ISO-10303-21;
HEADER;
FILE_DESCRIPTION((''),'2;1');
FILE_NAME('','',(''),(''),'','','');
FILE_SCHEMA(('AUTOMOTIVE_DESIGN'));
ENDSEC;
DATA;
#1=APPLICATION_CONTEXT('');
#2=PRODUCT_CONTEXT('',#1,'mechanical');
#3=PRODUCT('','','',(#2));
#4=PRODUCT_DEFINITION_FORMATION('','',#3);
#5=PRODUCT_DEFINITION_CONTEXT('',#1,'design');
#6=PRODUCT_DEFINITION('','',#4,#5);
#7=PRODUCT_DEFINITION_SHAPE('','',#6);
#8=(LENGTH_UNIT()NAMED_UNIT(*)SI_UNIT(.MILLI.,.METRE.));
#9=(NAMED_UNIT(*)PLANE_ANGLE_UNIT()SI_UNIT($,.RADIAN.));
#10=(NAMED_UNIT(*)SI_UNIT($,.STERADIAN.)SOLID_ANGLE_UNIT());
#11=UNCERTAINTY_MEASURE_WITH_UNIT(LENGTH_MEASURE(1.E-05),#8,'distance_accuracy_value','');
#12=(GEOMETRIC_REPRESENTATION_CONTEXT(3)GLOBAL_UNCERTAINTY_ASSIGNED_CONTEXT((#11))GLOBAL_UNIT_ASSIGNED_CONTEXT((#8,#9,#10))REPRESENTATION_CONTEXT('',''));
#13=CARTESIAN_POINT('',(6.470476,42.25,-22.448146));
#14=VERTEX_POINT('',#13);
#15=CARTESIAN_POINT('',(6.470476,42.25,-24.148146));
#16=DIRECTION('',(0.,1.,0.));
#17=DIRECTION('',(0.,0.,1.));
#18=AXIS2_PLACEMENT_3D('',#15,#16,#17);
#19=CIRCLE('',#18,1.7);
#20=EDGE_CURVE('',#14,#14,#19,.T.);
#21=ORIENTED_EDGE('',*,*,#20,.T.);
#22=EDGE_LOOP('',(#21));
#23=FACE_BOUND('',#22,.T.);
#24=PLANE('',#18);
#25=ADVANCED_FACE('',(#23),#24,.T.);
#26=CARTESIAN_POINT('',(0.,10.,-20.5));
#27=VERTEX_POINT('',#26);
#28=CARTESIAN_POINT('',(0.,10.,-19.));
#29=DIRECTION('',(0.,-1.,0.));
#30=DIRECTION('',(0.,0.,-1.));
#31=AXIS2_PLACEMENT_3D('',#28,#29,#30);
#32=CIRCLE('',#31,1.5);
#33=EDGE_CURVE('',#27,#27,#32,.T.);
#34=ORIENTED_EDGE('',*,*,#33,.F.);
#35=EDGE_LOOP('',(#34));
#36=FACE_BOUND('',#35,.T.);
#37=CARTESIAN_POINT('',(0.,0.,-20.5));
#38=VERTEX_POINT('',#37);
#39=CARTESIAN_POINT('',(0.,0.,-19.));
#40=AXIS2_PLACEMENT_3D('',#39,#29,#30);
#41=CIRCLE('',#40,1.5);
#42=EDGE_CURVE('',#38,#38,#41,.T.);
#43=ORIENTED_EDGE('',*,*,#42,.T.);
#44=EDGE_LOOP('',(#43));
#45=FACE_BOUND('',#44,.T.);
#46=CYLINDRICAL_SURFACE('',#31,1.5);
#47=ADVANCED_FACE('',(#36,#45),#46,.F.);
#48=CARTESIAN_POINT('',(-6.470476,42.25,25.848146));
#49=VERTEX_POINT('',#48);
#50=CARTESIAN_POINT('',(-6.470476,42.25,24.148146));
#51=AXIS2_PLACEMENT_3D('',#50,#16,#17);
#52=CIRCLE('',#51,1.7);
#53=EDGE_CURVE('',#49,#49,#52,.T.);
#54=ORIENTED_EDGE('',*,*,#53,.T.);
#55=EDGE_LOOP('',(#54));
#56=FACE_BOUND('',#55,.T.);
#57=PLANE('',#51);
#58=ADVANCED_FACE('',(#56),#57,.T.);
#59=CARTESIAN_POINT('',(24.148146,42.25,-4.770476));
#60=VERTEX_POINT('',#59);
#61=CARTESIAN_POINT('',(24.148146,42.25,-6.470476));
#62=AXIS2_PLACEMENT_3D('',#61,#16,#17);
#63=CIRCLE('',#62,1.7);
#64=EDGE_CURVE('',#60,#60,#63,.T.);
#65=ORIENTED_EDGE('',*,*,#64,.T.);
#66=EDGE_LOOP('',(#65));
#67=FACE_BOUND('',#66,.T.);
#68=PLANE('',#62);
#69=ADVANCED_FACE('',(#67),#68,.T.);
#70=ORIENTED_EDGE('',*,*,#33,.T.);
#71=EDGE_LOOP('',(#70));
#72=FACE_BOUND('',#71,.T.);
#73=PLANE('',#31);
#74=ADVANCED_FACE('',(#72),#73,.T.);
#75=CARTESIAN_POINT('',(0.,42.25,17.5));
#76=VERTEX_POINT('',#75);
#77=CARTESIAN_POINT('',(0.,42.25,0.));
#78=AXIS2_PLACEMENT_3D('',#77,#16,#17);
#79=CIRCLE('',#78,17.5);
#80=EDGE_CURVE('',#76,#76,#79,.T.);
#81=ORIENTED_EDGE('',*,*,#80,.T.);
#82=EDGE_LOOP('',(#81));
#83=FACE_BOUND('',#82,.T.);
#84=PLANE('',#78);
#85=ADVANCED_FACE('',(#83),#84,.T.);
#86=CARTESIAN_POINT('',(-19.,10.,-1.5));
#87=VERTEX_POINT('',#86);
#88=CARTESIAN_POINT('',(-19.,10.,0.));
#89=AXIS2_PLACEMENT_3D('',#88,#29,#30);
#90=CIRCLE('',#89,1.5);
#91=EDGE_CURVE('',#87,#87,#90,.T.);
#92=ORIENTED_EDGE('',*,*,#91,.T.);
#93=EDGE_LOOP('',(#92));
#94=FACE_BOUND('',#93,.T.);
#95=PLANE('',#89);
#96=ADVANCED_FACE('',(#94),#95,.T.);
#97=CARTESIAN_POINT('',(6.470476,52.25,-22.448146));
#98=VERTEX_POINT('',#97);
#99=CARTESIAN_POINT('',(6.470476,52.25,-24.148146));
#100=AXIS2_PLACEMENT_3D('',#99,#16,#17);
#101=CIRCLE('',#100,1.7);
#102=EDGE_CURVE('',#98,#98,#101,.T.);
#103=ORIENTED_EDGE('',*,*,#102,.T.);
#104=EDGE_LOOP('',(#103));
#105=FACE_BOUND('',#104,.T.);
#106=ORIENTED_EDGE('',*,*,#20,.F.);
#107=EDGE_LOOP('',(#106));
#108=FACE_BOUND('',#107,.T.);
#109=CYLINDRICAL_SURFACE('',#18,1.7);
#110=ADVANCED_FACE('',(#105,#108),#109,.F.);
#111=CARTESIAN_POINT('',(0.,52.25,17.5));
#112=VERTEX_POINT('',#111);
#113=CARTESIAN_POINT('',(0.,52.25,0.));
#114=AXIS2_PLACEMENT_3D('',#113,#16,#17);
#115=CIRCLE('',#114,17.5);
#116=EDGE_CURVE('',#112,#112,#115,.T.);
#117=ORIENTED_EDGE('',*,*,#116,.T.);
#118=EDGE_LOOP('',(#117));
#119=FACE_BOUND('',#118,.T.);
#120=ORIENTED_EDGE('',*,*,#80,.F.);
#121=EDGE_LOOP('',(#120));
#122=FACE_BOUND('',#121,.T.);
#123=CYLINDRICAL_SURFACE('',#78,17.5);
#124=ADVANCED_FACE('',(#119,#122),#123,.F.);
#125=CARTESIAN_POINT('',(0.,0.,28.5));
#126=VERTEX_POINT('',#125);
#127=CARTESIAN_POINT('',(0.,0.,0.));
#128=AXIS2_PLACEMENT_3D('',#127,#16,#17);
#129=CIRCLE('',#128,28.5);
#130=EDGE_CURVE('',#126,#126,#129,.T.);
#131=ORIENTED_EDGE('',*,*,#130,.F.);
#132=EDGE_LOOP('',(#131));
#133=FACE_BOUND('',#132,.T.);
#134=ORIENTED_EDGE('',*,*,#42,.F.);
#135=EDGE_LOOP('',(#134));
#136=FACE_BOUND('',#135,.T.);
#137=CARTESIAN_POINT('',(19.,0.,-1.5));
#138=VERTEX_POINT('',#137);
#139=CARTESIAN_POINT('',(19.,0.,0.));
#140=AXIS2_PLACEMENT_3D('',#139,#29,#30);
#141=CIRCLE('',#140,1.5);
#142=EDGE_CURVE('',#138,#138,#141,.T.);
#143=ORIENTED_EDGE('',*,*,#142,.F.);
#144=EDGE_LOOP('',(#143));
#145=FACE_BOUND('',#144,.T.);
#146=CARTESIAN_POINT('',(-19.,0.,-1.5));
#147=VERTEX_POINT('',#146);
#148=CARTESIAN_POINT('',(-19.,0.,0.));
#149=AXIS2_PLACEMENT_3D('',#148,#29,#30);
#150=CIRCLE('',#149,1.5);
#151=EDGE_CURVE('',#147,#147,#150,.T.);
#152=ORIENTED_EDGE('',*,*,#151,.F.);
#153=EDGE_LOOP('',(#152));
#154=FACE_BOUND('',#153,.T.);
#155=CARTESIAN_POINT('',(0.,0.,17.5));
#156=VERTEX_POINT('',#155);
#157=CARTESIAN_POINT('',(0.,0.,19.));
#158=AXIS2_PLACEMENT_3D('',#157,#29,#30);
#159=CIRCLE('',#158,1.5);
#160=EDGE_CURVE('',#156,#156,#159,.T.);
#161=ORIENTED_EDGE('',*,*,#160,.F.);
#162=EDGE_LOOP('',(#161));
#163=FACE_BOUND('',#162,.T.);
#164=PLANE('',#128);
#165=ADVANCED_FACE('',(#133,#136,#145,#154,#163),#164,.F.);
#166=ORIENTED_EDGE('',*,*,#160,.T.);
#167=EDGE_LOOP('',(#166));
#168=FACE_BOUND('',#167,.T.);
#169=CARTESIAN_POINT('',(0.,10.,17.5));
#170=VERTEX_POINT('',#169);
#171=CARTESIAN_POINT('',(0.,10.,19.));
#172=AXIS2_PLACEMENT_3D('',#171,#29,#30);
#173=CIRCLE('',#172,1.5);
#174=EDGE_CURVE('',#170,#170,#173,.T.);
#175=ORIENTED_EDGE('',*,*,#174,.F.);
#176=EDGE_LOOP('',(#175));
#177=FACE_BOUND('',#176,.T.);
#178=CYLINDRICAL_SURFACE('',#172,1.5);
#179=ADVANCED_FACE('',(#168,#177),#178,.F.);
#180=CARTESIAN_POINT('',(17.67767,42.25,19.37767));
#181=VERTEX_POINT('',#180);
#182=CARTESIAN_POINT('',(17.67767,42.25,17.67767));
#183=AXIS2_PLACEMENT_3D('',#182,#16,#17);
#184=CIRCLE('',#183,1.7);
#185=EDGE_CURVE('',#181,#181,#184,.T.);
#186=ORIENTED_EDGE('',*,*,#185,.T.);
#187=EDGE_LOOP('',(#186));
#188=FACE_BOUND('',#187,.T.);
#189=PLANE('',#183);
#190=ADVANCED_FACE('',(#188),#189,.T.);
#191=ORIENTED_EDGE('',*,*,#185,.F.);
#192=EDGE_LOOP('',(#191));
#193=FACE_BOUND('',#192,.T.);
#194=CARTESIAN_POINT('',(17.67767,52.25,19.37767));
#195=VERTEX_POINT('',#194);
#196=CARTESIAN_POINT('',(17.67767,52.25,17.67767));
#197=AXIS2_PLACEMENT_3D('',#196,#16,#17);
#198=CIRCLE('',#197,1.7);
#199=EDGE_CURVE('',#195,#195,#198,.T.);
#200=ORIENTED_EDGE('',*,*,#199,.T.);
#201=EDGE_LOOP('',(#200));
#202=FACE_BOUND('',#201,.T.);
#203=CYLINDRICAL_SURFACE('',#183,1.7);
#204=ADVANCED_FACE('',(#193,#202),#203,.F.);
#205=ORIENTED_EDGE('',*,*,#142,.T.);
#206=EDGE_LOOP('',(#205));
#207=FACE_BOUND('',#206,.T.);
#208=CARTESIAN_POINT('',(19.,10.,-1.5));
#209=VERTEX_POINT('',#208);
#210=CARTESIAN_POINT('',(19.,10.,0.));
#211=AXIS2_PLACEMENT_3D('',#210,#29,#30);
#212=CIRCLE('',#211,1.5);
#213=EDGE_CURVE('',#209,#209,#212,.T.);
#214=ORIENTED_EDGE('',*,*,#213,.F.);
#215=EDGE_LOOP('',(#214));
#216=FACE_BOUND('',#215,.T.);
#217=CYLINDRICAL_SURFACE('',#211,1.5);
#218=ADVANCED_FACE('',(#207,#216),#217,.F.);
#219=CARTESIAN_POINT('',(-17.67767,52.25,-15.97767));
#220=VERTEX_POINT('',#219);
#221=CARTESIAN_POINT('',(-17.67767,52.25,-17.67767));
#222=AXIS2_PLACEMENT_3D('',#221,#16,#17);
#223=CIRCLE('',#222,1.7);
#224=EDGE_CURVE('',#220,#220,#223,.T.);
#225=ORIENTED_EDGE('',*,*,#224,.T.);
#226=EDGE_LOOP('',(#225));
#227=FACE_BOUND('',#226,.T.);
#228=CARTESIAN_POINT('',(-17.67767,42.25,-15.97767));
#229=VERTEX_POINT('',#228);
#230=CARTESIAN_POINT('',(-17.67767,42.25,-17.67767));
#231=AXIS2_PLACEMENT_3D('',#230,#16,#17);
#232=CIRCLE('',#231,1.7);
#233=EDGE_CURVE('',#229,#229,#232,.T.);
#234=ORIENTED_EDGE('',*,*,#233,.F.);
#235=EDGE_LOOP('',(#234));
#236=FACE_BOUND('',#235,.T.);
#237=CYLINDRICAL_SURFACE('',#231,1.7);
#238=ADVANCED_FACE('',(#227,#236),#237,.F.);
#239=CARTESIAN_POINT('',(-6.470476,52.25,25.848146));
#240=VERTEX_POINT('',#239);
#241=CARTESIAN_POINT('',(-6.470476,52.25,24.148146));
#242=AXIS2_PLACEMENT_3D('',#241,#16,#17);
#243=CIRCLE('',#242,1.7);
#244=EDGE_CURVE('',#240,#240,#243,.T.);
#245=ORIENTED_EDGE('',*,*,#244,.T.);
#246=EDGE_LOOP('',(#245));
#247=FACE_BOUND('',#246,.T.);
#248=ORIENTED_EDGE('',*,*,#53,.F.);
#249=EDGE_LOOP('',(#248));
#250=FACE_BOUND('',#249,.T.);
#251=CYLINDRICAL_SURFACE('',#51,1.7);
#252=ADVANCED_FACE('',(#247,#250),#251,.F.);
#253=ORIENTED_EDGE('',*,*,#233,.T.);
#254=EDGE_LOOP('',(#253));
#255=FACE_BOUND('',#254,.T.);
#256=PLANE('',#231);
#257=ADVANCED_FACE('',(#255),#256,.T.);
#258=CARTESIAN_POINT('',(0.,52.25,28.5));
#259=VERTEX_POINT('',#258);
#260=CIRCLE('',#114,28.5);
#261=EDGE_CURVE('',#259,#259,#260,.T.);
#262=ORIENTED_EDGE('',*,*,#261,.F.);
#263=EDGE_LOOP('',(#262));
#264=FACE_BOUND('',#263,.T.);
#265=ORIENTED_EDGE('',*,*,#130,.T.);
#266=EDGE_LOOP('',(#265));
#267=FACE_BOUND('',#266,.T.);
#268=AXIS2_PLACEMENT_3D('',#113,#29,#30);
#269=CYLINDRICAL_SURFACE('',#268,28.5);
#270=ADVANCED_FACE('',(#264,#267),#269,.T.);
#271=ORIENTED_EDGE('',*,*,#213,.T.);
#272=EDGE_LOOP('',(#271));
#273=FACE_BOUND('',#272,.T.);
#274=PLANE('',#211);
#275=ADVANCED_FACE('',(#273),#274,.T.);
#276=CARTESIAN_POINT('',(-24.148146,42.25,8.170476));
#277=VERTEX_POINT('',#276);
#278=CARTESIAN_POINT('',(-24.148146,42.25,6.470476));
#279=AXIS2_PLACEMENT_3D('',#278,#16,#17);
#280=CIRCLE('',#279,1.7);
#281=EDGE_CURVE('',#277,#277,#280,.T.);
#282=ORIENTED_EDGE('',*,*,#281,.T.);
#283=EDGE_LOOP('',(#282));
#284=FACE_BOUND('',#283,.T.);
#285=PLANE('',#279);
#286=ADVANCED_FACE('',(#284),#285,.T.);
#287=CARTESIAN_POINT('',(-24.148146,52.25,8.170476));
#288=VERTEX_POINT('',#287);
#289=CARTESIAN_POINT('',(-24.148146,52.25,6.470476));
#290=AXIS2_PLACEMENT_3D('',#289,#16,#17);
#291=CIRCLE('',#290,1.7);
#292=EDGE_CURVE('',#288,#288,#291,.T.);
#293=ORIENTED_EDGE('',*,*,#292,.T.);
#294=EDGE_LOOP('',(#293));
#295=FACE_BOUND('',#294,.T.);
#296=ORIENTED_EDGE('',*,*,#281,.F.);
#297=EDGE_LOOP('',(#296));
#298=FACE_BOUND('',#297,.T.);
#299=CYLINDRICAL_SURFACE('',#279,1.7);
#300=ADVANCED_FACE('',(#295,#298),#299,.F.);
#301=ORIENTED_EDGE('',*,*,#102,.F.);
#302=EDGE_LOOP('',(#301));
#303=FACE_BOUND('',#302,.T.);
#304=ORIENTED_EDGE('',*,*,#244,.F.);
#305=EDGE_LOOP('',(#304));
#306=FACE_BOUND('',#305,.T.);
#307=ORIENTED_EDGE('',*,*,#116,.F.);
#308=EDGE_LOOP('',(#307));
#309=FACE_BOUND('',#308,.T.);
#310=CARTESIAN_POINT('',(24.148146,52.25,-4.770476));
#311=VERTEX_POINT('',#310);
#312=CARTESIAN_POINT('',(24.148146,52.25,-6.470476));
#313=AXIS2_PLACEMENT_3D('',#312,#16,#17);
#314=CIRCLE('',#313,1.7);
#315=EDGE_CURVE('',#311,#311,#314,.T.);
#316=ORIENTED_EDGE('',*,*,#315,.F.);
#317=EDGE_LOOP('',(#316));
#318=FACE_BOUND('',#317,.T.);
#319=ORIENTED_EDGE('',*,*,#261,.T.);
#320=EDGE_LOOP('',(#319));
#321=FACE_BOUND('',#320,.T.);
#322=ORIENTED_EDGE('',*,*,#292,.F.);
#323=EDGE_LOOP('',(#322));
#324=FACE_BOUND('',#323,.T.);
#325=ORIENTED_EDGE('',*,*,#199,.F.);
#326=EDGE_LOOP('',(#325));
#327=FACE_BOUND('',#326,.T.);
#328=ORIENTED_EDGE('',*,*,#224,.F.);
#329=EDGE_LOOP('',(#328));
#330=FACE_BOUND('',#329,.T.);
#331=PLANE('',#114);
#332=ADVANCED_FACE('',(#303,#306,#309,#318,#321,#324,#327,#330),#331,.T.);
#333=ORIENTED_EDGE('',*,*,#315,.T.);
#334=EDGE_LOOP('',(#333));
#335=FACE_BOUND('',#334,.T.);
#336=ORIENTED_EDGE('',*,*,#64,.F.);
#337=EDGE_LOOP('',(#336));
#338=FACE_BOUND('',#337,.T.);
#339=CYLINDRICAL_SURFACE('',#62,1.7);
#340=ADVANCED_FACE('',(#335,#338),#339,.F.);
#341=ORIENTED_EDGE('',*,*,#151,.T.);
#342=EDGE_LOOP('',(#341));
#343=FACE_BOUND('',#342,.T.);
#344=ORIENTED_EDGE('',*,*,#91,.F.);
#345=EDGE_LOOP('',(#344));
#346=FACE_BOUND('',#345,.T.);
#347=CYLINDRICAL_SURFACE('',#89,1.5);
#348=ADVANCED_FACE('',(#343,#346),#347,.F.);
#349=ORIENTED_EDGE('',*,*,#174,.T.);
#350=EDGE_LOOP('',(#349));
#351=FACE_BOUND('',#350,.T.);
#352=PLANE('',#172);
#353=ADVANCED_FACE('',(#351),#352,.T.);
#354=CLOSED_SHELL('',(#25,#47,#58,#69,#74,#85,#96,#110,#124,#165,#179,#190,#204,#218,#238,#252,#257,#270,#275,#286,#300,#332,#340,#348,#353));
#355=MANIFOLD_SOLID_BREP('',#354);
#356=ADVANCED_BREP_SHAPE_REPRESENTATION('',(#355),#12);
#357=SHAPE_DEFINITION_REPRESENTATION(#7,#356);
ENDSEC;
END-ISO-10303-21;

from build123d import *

# Parameters (mm, degrees)
SKETCH_1_R          = 28.5
EXTRUDE_1_DEPTH     = 52.25
SKETCH_3_R          = 17.5
CUT_EXTRUDE_2_DEPTH = 10
SKETCH_4_R          = 1.7
CUT_EXTRUDE_3_DEPTH = 10
SKETCH_5_R          = 1.5
CUT_EXTRUDE_4_DEPTH = 10


with BuildPart() as part:
    # 草图1 → 凸台-拉伸1 (new body)
    with BuildSketch(Plane(origin=(0, 0, 0), x_dir=(1, 0, 0), z_dir=(0, 1, 0))):
        Circle(SKETCH_1_R)
    extrude(amount=EXTRUDE_1_DEPTH)

    # 草图3 → 切除-拉伸2 (cut)
    with BuildSketch(Plane(origin=(0, 52.25, 0), x_dir=(1, 0, 0), z_dir=(0, 1, 0))):
        Circle(SKETCH_3_R)
    extrude(amount=-CUT_EXTRUDE_2_DEPTH, mode=Mode.SUBTRACT)

    # 草图4 → 切除-拉伸3 (cut)
    with BuildSketch(Plane(origin=(0, 52.25, 0), x_dir=(1, 0, 0), z_dir=(0, 1, 0))):
        with Locations((17.67766953, -17.67766953)):
            Circle(SKETCH_4_R)
        with Locations((-6.470476128, -24.148145657)):
            Circle(SKETCH_4_R)
        with Locations((-24.148145657, -6.470476128)):
            Circle(SKETCH_4_R)
        with Locations((-17.67766953, 17.67766953)):
            Circle(SKETCH_4_R)
        with Locations((6.470476128, 24.148145657)):
            Circle(SKETCH_4_R)
        with Locations((24.148145657, 6.470476128)):
            Circle(SKETCH_4_R)
    extrude(amount=-CUT_EXTRUDE_3_DEPTH, mode=Mode.SUBTRACT)

    # 草图5 → 切除-拉伸4 (cut)
    with BuildSketch(Plane.XZ):
        with Locations((0, -19)):
            Circle(SKETCH_5_R)
        with Locations((-19, 0)):
            Circle(SKETCH_5_R)
        with Locations((0, 19)):
            Circle(SKETCH_5_R)
        with Locations((19, 0)):
            Circle(SKETCH_5_R)
    extrude(amount=-CUT_EXTRUDE_4_DEPTH, mode=Mode.SUBTRACT)


solid = part.part
